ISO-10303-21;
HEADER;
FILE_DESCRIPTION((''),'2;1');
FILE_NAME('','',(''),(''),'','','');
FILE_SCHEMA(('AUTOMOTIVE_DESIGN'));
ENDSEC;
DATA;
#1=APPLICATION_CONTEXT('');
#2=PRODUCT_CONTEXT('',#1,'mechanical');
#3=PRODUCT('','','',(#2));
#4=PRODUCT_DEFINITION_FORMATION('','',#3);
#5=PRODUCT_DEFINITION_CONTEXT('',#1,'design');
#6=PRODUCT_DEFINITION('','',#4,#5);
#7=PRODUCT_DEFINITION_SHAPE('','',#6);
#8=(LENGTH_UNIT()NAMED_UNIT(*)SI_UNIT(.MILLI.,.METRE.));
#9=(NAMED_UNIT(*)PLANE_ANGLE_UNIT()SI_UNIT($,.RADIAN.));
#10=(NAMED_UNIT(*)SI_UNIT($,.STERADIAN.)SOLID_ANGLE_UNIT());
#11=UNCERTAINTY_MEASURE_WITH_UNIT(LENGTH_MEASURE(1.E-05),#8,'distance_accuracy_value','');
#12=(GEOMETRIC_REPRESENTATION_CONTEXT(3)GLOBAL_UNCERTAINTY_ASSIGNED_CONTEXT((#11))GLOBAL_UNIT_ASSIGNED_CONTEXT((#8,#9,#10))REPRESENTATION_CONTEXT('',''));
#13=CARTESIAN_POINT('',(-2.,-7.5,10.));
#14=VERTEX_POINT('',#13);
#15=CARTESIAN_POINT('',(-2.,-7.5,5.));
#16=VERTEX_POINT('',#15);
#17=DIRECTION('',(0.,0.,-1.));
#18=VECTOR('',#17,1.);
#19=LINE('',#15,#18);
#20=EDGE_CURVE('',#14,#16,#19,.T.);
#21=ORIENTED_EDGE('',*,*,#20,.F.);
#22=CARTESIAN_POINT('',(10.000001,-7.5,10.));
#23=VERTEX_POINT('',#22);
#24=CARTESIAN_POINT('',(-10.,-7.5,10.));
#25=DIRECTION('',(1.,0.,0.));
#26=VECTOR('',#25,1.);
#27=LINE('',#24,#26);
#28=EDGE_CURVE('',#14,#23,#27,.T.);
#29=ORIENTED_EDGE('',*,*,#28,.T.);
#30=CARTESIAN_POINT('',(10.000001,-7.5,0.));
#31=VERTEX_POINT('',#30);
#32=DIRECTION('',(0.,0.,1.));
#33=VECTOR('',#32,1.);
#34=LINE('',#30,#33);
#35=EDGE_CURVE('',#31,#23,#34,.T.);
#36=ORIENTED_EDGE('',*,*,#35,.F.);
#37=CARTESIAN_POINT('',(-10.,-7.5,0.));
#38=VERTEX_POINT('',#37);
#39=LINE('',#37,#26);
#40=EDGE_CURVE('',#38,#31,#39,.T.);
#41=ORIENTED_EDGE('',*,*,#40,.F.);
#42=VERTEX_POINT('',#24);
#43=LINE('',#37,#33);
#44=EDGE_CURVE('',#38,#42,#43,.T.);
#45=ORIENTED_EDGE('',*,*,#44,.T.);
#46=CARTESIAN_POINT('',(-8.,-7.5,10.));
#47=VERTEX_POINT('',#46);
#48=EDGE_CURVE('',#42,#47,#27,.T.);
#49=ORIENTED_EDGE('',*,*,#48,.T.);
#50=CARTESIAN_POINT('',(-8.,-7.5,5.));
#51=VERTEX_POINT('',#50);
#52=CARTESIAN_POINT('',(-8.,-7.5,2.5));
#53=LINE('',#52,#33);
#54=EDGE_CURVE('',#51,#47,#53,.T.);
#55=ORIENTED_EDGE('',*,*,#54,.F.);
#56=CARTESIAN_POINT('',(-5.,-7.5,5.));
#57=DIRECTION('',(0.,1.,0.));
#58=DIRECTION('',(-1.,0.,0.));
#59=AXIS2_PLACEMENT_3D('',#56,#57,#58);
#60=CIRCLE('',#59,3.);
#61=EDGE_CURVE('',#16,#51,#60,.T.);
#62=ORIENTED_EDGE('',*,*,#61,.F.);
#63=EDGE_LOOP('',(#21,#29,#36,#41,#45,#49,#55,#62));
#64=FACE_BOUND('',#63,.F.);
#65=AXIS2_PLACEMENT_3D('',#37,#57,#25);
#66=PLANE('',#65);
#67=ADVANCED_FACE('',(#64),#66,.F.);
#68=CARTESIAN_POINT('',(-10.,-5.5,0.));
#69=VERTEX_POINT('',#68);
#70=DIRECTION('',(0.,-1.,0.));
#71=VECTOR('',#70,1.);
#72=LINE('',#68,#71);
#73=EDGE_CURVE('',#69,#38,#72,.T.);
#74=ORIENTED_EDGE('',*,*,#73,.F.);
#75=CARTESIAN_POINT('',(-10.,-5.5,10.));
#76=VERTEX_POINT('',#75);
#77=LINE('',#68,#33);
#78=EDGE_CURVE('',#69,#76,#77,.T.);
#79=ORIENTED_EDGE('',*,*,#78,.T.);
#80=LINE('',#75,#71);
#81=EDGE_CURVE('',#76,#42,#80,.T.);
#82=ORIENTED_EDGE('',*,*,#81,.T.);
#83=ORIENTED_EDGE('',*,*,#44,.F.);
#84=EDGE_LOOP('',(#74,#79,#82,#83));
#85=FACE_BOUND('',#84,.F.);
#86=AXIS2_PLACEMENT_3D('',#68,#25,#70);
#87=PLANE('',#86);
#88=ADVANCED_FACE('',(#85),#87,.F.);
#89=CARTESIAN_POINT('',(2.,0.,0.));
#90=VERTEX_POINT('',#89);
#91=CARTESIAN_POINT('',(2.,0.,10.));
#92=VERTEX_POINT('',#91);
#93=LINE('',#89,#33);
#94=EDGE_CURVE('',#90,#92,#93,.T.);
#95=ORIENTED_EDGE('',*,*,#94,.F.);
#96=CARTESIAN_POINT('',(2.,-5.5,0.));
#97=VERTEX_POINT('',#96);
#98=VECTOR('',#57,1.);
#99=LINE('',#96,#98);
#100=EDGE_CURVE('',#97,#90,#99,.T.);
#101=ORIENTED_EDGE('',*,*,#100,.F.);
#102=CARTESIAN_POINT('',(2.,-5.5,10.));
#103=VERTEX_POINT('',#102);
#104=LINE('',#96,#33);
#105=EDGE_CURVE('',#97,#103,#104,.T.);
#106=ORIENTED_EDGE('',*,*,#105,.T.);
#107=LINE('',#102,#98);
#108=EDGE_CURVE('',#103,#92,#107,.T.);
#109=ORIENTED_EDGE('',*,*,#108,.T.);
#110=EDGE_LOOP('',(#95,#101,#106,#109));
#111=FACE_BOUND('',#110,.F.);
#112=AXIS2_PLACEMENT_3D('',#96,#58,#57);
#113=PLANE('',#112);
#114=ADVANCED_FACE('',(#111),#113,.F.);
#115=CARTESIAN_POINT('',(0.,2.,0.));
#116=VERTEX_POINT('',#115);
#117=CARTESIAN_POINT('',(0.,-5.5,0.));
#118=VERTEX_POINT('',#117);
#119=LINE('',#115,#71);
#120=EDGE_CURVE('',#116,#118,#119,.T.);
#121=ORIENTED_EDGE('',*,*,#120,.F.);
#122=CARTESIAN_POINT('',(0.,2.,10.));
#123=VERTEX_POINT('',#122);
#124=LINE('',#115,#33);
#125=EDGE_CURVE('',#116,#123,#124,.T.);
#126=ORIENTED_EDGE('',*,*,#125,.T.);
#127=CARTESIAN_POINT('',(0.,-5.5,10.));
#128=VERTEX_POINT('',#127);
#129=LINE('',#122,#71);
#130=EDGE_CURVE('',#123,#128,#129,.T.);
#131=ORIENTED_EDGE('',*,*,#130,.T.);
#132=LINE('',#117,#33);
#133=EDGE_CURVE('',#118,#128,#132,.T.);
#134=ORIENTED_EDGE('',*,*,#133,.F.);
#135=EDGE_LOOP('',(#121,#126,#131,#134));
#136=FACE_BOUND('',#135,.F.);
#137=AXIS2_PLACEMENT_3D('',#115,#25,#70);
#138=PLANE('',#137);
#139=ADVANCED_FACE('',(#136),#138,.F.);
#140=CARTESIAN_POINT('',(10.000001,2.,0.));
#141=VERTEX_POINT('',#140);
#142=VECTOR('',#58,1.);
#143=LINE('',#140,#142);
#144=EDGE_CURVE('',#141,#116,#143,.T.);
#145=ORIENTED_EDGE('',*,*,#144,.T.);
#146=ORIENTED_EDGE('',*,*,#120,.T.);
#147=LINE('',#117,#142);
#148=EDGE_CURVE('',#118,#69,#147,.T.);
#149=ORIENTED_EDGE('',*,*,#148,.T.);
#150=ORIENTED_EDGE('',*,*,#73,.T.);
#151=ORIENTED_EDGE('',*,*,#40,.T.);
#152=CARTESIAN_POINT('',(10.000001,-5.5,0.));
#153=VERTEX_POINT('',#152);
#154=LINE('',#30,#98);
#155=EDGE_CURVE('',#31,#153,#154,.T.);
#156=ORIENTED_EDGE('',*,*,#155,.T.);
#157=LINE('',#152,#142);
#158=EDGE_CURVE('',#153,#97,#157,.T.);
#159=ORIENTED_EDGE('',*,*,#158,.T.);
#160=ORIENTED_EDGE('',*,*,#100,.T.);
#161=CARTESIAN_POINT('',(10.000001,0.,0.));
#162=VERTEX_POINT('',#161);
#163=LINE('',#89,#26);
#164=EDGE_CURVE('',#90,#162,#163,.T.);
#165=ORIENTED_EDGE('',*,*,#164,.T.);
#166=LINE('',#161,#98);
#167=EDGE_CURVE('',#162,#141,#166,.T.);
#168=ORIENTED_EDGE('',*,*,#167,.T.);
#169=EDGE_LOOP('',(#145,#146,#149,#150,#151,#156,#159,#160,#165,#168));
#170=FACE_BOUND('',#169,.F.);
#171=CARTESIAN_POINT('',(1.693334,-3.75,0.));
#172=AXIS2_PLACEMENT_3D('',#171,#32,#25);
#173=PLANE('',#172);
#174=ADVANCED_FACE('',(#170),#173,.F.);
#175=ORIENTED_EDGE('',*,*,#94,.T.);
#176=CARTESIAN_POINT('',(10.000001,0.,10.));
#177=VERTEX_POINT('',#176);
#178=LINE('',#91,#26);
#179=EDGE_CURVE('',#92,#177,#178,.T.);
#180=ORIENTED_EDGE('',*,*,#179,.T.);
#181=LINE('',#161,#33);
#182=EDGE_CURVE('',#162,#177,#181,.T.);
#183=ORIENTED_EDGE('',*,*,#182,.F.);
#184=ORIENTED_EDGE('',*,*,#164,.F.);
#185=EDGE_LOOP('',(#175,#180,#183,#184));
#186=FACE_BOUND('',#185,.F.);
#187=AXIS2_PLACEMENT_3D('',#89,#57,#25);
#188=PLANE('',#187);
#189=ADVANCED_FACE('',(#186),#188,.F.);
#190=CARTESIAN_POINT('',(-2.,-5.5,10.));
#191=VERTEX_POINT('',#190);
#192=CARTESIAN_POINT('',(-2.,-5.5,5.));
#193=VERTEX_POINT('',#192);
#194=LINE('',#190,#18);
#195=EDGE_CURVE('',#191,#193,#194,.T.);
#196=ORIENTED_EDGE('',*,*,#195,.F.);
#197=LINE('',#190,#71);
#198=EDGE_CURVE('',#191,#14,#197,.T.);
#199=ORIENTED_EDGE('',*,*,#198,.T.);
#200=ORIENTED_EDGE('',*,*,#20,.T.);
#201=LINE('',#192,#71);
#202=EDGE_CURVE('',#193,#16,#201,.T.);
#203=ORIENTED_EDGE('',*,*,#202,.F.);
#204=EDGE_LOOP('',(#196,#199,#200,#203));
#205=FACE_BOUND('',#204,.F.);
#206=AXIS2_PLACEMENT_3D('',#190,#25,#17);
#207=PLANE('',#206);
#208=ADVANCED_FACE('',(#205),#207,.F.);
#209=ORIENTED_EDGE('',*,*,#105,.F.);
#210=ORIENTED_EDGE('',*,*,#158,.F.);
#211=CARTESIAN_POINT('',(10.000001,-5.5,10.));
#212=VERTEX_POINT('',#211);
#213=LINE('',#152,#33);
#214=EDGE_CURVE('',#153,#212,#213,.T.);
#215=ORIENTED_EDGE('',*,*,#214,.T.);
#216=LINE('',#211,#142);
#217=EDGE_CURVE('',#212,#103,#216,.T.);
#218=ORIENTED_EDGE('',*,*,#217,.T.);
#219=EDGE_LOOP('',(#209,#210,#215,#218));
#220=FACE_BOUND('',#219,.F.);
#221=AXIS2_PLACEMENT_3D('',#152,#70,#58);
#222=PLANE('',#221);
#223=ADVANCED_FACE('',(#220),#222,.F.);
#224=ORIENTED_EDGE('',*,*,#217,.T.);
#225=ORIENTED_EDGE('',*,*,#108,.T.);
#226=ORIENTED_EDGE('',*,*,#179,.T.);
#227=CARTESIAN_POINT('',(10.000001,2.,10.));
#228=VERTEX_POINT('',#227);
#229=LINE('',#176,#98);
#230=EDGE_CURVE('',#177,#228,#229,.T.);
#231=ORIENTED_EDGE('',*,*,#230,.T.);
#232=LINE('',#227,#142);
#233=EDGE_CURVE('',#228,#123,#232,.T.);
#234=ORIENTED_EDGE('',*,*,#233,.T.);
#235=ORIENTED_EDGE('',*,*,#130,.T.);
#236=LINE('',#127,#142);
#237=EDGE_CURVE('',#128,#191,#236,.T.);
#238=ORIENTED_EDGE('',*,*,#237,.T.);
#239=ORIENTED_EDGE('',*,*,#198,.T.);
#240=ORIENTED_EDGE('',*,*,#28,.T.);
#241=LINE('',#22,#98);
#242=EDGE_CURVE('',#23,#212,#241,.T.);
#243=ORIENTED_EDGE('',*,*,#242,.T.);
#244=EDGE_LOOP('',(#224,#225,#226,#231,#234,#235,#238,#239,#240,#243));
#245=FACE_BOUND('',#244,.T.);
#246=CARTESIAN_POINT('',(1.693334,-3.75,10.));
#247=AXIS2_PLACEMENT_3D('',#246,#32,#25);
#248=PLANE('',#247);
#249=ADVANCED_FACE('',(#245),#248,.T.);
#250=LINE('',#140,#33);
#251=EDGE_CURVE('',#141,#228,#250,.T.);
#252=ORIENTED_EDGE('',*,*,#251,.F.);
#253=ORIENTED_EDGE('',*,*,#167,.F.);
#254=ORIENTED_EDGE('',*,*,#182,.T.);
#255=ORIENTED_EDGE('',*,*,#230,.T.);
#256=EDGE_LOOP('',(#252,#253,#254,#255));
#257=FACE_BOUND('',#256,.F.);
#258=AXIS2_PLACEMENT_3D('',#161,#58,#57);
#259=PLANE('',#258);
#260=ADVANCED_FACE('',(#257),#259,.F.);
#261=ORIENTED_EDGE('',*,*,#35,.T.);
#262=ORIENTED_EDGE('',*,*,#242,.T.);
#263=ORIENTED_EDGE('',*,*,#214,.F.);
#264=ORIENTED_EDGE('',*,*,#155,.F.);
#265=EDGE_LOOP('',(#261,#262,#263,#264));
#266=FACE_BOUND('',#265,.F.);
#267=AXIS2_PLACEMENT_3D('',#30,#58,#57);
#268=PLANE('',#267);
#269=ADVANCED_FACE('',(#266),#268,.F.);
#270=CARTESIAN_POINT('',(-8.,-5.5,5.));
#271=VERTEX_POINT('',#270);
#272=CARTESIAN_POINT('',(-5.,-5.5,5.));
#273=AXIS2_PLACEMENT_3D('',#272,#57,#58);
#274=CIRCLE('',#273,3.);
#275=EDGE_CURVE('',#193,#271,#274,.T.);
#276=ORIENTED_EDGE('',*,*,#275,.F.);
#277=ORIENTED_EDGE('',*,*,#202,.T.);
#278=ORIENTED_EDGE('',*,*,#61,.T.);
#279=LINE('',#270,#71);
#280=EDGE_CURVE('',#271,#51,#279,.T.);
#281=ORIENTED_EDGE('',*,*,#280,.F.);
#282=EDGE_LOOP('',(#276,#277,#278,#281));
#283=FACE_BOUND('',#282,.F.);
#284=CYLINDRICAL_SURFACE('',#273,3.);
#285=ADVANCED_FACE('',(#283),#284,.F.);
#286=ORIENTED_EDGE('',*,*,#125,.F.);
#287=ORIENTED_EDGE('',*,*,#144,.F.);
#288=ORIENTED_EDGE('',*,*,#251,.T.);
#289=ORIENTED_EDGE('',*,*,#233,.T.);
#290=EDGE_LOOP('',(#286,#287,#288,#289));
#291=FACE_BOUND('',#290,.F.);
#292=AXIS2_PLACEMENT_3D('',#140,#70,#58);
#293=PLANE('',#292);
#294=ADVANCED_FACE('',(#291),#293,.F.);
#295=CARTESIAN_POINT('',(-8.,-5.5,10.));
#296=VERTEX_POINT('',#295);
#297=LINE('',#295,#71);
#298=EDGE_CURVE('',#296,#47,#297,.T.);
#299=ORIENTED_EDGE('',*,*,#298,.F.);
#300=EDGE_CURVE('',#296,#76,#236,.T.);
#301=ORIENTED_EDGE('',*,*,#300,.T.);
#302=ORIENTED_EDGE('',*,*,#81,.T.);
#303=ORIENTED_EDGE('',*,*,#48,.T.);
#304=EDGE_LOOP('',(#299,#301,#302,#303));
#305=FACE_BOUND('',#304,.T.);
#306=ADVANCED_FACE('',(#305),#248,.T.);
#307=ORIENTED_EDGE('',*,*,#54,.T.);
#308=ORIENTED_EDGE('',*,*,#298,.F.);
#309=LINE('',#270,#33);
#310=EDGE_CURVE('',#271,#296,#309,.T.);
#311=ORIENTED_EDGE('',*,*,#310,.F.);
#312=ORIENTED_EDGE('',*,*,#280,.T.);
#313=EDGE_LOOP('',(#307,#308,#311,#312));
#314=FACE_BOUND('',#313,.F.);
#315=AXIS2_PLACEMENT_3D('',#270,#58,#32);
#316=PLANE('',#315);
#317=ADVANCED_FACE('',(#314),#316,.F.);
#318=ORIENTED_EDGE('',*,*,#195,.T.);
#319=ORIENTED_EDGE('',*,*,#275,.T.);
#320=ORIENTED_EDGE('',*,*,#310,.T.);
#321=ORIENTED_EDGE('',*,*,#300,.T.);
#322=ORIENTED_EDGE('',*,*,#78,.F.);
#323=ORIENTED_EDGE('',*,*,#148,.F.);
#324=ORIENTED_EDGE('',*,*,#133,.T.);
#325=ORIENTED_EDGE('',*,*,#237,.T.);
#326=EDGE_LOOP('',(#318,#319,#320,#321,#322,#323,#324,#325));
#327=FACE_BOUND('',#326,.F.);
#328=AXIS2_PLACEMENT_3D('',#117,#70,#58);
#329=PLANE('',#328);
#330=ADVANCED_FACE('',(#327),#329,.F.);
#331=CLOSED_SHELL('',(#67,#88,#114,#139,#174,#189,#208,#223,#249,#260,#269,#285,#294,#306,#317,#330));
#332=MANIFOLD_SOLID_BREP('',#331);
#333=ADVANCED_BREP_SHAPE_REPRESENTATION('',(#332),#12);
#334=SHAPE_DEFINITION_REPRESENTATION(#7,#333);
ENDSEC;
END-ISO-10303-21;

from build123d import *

# Parameters (mm, degrees)
F1_DEPTH = 10
F3_DEPTH = 25


with BuildPart() as f1:
    # F0 (on Top) → F1 (new body)
    with BuildSketch(Plane.XY):
        Polygon((2, -5.5), (2, 0), (10.000001, 0), (10.000001, 2), (0, 2), (0, 0), (0, -5.5), (-10, -5.5), (-10, -7.5), (0, -7.5), (10.000001, -7.5), (10.000001, -5.5), align=None)
    extrude(amount=F1_DEPTH)

    # F2 (on face) → F3 (cut)
    with BuildSketch(Plane(origin=(0, -5.5, 0), x_dir=(-1, 0, 0), z_dir=(0, 1, 0))):
        with BuildLine():
            ThreePointArc((2, 5), (5, 2), (8, 5))
            ThreePointArc((8, 5), (5, 8), (2, 5))
        make_face()
        with BuildLine():
            ThreePointArc((2, 5), (5, 8), (8, 5))
            Line((8, 5), (8, 10))
            Line((8, 10), (2, 10))
            Line((2, 10), (2, 5))
        make_face()
    extrude(amount=-F3_DEPTH, mode=Mode.SUBTRACT)


solid = f1.part
